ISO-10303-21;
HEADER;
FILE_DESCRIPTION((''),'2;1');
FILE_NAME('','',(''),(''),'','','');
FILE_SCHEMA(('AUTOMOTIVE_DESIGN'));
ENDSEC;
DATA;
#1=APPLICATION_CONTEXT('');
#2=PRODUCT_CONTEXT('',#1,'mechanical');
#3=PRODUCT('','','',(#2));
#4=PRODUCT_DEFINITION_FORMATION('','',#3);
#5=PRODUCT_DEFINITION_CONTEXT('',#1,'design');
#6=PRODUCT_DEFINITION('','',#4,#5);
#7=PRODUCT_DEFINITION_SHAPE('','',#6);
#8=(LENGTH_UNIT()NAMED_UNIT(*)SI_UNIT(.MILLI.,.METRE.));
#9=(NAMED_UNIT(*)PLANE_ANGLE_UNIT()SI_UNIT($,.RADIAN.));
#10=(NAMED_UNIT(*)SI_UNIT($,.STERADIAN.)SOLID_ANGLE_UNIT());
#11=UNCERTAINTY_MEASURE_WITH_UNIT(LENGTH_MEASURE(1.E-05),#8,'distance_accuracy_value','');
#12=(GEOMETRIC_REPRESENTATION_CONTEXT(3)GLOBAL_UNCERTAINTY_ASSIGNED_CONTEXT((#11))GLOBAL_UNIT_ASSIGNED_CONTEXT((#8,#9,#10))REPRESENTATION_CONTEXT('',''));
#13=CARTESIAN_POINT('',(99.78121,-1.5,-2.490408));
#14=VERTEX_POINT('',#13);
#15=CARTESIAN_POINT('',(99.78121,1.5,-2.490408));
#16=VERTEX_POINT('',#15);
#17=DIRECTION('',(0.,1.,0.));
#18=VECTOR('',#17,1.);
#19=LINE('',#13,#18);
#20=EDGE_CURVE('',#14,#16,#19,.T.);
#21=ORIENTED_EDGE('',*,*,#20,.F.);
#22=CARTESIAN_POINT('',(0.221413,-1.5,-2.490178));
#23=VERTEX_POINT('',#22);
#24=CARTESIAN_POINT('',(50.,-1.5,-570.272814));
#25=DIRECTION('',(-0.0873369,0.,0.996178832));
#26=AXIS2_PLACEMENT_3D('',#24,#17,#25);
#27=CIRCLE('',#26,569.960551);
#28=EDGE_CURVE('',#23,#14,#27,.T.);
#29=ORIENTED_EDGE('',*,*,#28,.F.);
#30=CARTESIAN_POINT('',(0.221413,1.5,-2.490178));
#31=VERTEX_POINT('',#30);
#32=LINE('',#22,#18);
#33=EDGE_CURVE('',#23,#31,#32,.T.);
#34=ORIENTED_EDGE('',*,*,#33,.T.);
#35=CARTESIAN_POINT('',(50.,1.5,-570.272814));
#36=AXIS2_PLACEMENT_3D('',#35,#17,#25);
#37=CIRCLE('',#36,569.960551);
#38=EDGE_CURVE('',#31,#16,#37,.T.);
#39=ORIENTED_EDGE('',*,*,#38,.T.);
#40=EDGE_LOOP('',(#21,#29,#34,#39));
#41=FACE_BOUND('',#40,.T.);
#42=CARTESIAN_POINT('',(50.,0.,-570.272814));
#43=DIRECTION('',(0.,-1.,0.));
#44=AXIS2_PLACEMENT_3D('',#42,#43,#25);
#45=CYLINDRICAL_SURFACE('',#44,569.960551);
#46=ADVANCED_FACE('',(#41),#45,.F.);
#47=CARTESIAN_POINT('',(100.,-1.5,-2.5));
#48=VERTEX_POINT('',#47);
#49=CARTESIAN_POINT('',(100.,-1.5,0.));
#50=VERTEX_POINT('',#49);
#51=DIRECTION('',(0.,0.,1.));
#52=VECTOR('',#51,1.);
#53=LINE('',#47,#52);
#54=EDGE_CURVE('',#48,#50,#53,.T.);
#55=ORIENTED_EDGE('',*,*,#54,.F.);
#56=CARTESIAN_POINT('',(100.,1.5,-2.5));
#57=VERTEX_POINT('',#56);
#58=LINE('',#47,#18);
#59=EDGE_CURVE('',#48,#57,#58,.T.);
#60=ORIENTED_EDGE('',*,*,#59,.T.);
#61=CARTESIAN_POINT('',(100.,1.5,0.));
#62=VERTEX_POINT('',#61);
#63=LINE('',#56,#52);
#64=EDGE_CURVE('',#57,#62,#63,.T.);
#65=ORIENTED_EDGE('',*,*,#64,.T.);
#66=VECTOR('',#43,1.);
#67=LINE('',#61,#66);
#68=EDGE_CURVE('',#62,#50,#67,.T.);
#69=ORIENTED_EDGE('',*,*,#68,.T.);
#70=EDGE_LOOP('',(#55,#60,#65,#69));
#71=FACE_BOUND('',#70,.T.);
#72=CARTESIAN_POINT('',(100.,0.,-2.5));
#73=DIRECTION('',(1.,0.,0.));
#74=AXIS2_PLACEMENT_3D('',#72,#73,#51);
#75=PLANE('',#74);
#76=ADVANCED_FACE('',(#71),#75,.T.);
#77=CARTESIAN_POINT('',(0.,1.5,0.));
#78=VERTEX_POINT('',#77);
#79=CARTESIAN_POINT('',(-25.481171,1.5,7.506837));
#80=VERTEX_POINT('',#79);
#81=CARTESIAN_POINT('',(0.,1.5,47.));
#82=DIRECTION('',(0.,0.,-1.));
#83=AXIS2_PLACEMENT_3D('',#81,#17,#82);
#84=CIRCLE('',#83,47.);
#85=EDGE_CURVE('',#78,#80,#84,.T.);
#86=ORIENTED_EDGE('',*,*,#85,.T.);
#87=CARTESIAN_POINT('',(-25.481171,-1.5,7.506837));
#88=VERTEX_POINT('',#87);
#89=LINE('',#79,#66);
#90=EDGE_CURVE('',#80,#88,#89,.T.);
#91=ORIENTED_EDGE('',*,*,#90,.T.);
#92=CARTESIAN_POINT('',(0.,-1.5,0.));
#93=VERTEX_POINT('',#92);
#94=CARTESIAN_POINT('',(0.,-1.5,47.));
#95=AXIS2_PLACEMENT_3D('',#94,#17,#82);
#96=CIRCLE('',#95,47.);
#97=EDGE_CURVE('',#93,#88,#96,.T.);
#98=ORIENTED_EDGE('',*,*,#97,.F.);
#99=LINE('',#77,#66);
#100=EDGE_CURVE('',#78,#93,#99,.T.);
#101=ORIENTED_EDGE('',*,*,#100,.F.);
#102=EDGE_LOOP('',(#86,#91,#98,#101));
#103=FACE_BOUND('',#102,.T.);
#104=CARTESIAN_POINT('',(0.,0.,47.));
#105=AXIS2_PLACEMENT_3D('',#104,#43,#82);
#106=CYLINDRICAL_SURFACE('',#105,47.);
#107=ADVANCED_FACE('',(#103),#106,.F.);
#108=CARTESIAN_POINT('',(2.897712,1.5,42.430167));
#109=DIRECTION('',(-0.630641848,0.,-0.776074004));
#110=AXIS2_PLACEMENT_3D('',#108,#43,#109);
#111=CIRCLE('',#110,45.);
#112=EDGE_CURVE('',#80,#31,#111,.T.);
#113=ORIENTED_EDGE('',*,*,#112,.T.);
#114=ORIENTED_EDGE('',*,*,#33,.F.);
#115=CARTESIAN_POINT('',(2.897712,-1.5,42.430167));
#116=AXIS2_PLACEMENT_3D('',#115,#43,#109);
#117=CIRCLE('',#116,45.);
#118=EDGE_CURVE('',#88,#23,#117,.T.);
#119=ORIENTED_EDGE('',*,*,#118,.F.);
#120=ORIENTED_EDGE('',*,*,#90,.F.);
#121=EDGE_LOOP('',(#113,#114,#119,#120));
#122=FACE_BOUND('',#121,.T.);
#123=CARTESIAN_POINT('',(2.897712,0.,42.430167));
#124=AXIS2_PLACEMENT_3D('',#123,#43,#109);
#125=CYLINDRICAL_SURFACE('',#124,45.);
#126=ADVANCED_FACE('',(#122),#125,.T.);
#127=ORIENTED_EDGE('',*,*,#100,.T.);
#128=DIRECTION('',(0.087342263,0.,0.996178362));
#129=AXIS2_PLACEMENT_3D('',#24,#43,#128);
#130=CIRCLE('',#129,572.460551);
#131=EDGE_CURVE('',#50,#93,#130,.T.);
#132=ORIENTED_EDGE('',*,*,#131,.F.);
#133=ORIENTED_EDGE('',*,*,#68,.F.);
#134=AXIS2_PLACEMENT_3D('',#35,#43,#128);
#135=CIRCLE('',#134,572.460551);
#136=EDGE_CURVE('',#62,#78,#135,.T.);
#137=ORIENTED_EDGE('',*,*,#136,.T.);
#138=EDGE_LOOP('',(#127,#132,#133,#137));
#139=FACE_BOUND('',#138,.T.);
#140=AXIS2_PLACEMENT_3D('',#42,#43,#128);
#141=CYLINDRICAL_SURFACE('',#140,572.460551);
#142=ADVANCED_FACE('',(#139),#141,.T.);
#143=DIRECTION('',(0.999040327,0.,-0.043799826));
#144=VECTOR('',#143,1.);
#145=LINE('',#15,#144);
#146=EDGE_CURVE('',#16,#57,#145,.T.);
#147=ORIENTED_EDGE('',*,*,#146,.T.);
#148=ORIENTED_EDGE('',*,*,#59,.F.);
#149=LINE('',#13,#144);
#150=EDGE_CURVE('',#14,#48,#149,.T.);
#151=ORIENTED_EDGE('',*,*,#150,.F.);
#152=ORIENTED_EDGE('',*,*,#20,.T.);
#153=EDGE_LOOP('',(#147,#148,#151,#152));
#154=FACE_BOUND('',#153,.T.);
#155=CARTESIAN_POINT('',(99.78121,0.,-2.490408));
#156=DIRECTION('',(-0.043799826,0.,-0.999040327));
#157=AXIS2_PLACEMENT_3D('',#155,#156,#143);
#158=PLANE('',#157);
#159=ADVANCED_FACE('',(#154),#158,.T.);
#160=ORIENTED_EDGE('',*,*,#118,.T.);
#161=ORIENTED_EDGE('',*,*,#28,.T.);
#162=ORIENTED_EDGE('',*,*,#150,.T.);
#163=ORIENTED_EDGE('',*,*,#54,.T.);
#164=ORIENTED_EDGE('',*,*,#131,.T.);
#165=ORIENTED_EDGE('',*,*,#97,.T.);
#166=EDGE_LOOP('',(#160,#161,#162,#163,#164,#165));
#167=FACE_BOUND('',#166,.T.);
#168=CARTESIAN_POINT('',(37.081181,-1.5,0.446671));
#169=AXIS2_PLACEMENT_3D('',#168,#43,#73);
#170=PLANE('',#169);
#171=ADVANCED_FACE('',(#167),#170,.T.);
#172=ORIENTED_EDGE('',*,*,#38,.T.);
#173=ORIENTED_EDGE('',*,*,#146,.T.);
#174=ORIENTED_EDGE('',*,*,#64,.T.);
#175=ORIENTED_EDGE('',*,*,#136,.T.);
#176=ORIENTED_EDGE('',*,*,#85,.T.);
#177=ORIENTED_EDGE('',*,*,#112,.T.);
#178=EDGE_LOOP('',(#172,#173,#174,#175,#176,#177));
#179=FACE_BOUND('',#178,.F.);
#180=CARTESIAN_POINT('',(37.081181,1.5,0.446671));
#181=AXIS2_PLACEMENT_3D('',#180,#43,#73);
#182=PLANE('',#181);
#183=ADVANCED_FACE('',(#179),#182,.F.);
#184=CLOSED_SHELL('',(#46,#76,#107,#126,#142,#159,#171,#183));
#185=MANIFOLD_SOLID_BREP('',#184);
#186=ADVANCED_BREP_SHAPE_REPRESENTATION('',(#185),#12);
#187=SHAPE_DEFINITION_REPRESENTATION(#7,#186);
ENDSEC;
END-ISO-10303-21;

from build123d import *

# Parameters (mm, degrees)
F1_DEPTH = 1.5


with BuildPart() as f1:
    # F0 (on Front) → F1 (new body, symmetric)
    with BuildSketch(Plane.XZ):
        with BuildLine():
            Line((100, -2.5), (100, 0))
            ThreePointArc((100, 0), (50, 2.187736944), (0, 0))
            ThreePointArc((0, 0), (-13.2819680374, 1.9157530278), (-25.4811713734, 7.5068372317))
            ThreePointArc((-25.4811713734, 7.5068372317), (-13.4145892568, 0.4908203215), (0.2214126109, -2.490177888))
            ThreePointArc((0.2214126109, -2.490177888), (50.0013164202, -0.3122630575), (99.7812101684, -2.4904078382))
            Line((99.7812101684, -2.4904078382), (100, -2.5))
        make_face()
    extrude(amount=F1_DEPTH, both=True)


solid = f1.part
